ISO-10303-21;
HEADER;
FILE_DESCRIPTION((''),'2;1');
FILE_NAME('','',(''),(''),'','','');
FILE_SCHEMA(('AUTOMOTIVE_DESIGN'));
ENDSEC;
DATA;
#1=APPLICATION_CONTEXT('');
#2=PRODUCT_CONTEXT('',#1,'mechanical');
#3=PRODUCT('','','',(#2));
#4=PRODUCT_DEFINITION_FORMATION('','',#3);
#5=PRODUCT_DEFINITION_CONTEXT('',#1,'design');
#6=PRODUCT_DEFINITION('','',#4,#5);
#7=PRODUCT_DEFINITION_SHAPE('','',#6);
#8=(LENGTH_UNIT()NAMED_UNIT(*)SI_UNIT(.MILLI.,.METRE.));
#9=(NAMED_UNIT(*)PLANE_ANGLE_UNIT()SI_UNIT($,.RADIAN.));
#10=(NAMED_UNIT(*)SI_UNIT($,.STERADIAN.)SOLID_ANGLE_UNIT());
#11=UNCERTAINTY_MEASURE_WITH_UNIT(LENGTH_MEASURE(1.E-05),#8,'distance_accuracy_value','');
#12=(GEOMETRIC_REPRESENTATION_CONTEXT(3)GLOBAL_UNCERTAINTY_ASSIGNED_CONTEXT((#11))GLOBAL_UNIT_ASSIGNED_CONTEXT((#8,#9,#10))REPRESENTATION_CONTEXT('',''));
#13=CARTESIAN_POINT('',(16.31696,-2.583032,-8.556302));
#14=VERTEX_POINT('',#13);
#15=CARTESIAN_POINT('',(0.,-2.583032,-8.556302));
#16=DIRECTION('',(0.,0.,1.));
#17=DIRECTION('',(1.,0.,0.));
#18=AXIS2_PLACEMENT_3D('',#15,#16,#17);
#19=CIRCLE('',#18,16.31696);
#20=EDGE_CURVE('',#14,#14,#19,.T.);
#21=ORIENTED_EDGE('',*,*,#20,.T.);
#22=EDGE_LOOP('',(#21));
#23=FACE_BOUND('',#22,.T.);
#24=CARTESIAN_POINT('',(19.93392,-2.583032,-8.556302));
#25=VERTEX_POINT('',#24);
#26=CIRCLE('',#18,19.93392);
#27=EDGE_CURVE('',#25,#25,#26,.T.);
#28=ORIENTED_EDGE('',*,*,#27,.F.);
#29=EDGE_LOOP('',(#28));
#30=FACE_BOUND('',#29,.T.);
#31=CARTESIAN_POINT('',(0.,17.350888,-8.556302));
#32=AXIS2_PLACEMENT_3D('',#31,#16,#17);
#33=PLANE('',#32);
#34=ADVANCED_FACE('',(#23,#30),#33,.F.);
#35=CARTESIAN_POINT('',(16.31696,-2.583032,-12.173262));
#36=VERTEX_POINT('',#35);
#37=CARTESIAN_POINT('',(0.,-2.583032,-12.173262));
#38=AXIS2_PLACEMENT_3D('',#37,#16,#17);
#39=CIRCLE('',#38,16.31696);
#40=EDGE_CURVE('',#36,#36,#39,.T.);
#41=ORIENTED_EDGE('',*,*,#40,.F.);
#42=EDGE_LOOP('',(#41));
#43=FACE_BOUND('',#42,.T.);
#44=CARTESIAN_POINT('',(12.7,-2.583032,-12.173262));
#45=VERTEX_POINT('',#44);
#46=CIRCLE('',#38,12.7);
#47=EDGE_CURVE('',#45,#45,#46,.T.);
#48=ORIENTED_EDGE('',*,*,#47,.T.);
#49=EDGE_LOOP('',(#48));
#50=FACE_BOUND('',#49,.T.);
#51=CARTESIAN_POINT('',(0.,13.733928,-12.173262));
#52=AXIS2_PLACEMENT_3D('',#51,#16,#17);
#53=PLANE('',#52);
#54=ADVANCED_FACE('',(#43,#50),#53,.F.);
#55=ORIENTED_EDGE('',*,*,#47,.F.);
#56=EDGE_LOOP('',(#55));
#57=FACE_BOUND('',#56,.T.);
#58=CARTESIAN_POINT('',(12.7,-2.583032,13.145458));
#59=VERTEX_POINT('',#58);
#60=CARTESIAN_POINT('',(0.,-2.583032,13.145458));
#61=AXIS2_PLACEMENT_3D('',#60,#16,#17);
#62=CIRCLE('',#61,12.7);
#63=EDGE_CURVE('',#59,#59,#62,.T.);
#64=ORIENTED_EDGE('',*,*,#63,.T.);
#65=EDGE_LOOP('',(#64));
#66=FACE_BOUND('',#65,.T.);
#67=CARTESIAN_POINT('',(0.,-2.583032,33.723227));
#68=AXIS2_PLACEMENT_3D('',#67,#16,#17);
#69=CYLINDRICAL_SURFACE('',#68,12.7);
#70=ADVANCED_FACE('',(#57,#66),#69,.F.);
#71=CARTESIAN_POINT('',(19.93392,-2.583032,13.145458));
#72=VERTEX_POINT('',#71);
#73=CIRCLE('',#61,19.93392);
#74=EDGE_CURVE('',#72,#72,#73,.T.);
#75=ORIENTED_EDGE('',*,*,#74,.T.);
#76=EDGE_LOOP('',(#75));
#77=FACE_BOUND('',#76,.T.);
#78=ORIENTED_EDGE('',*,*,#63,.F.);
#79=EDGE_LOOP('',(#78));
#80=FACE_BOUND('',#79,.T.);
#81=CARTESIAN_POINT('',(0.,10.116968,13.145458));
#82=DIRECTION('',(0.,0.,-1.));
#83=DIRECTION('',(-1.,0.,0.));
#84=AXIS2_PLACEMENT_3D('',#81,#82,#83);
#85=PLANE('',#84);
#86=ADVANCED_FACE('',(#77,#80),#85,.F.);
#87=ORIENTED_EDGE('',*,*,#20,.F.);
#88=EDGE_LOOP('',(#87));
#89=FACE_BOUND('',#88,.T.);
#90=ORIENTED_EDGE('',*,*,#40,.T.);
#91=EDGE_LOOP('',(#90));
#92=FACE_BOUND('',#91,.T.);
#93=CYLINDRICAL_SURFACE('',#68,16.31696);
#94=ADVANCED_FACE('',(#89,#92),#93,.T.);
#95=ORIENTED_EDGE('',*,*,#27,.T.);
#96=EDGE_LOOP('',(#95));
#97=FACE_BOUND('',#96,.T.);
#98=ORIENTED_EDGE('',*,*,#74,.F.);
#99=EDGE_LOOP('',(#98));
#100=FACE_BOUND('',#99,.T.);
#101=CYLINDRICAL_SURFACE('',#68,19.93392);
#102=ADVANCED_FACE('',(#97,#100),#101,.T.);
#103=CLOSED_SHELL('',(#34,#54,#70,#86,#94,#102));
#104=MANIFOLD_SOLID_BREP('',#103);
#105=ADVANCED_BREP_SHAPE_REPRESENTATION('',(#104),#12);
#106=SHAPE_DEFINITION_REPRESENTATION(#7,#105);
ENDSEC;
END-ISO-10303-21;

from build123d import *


with BuildPart() as part:
    # Sketch1 → Revolve1 (revolve)
    with BuildSketch(Plane(origin=(0, 0, 0), x_dir=(0, 0, -1), z_dir=(1, 0, 0)), mode=Mode.PRIVATE) as revolve1_sk:
        Polygon((-13.145457686, 10.116968004), (-13.145457686, 17.350888004), (8.556302314, 17.350888004), (8.556302314, 13.733928004), (12.173262314, 13.733928004), (12.173262314, 10.116968004), align=None)
    revolve(revolve1_sk.sketch.rotate(Axis((0, -2.583031996, 33.72322668), (0, 0, -1)), 90), axis=Axis((0, -2.583031996, 33.72322668), (0, 0, -1)))


solid = part.part
